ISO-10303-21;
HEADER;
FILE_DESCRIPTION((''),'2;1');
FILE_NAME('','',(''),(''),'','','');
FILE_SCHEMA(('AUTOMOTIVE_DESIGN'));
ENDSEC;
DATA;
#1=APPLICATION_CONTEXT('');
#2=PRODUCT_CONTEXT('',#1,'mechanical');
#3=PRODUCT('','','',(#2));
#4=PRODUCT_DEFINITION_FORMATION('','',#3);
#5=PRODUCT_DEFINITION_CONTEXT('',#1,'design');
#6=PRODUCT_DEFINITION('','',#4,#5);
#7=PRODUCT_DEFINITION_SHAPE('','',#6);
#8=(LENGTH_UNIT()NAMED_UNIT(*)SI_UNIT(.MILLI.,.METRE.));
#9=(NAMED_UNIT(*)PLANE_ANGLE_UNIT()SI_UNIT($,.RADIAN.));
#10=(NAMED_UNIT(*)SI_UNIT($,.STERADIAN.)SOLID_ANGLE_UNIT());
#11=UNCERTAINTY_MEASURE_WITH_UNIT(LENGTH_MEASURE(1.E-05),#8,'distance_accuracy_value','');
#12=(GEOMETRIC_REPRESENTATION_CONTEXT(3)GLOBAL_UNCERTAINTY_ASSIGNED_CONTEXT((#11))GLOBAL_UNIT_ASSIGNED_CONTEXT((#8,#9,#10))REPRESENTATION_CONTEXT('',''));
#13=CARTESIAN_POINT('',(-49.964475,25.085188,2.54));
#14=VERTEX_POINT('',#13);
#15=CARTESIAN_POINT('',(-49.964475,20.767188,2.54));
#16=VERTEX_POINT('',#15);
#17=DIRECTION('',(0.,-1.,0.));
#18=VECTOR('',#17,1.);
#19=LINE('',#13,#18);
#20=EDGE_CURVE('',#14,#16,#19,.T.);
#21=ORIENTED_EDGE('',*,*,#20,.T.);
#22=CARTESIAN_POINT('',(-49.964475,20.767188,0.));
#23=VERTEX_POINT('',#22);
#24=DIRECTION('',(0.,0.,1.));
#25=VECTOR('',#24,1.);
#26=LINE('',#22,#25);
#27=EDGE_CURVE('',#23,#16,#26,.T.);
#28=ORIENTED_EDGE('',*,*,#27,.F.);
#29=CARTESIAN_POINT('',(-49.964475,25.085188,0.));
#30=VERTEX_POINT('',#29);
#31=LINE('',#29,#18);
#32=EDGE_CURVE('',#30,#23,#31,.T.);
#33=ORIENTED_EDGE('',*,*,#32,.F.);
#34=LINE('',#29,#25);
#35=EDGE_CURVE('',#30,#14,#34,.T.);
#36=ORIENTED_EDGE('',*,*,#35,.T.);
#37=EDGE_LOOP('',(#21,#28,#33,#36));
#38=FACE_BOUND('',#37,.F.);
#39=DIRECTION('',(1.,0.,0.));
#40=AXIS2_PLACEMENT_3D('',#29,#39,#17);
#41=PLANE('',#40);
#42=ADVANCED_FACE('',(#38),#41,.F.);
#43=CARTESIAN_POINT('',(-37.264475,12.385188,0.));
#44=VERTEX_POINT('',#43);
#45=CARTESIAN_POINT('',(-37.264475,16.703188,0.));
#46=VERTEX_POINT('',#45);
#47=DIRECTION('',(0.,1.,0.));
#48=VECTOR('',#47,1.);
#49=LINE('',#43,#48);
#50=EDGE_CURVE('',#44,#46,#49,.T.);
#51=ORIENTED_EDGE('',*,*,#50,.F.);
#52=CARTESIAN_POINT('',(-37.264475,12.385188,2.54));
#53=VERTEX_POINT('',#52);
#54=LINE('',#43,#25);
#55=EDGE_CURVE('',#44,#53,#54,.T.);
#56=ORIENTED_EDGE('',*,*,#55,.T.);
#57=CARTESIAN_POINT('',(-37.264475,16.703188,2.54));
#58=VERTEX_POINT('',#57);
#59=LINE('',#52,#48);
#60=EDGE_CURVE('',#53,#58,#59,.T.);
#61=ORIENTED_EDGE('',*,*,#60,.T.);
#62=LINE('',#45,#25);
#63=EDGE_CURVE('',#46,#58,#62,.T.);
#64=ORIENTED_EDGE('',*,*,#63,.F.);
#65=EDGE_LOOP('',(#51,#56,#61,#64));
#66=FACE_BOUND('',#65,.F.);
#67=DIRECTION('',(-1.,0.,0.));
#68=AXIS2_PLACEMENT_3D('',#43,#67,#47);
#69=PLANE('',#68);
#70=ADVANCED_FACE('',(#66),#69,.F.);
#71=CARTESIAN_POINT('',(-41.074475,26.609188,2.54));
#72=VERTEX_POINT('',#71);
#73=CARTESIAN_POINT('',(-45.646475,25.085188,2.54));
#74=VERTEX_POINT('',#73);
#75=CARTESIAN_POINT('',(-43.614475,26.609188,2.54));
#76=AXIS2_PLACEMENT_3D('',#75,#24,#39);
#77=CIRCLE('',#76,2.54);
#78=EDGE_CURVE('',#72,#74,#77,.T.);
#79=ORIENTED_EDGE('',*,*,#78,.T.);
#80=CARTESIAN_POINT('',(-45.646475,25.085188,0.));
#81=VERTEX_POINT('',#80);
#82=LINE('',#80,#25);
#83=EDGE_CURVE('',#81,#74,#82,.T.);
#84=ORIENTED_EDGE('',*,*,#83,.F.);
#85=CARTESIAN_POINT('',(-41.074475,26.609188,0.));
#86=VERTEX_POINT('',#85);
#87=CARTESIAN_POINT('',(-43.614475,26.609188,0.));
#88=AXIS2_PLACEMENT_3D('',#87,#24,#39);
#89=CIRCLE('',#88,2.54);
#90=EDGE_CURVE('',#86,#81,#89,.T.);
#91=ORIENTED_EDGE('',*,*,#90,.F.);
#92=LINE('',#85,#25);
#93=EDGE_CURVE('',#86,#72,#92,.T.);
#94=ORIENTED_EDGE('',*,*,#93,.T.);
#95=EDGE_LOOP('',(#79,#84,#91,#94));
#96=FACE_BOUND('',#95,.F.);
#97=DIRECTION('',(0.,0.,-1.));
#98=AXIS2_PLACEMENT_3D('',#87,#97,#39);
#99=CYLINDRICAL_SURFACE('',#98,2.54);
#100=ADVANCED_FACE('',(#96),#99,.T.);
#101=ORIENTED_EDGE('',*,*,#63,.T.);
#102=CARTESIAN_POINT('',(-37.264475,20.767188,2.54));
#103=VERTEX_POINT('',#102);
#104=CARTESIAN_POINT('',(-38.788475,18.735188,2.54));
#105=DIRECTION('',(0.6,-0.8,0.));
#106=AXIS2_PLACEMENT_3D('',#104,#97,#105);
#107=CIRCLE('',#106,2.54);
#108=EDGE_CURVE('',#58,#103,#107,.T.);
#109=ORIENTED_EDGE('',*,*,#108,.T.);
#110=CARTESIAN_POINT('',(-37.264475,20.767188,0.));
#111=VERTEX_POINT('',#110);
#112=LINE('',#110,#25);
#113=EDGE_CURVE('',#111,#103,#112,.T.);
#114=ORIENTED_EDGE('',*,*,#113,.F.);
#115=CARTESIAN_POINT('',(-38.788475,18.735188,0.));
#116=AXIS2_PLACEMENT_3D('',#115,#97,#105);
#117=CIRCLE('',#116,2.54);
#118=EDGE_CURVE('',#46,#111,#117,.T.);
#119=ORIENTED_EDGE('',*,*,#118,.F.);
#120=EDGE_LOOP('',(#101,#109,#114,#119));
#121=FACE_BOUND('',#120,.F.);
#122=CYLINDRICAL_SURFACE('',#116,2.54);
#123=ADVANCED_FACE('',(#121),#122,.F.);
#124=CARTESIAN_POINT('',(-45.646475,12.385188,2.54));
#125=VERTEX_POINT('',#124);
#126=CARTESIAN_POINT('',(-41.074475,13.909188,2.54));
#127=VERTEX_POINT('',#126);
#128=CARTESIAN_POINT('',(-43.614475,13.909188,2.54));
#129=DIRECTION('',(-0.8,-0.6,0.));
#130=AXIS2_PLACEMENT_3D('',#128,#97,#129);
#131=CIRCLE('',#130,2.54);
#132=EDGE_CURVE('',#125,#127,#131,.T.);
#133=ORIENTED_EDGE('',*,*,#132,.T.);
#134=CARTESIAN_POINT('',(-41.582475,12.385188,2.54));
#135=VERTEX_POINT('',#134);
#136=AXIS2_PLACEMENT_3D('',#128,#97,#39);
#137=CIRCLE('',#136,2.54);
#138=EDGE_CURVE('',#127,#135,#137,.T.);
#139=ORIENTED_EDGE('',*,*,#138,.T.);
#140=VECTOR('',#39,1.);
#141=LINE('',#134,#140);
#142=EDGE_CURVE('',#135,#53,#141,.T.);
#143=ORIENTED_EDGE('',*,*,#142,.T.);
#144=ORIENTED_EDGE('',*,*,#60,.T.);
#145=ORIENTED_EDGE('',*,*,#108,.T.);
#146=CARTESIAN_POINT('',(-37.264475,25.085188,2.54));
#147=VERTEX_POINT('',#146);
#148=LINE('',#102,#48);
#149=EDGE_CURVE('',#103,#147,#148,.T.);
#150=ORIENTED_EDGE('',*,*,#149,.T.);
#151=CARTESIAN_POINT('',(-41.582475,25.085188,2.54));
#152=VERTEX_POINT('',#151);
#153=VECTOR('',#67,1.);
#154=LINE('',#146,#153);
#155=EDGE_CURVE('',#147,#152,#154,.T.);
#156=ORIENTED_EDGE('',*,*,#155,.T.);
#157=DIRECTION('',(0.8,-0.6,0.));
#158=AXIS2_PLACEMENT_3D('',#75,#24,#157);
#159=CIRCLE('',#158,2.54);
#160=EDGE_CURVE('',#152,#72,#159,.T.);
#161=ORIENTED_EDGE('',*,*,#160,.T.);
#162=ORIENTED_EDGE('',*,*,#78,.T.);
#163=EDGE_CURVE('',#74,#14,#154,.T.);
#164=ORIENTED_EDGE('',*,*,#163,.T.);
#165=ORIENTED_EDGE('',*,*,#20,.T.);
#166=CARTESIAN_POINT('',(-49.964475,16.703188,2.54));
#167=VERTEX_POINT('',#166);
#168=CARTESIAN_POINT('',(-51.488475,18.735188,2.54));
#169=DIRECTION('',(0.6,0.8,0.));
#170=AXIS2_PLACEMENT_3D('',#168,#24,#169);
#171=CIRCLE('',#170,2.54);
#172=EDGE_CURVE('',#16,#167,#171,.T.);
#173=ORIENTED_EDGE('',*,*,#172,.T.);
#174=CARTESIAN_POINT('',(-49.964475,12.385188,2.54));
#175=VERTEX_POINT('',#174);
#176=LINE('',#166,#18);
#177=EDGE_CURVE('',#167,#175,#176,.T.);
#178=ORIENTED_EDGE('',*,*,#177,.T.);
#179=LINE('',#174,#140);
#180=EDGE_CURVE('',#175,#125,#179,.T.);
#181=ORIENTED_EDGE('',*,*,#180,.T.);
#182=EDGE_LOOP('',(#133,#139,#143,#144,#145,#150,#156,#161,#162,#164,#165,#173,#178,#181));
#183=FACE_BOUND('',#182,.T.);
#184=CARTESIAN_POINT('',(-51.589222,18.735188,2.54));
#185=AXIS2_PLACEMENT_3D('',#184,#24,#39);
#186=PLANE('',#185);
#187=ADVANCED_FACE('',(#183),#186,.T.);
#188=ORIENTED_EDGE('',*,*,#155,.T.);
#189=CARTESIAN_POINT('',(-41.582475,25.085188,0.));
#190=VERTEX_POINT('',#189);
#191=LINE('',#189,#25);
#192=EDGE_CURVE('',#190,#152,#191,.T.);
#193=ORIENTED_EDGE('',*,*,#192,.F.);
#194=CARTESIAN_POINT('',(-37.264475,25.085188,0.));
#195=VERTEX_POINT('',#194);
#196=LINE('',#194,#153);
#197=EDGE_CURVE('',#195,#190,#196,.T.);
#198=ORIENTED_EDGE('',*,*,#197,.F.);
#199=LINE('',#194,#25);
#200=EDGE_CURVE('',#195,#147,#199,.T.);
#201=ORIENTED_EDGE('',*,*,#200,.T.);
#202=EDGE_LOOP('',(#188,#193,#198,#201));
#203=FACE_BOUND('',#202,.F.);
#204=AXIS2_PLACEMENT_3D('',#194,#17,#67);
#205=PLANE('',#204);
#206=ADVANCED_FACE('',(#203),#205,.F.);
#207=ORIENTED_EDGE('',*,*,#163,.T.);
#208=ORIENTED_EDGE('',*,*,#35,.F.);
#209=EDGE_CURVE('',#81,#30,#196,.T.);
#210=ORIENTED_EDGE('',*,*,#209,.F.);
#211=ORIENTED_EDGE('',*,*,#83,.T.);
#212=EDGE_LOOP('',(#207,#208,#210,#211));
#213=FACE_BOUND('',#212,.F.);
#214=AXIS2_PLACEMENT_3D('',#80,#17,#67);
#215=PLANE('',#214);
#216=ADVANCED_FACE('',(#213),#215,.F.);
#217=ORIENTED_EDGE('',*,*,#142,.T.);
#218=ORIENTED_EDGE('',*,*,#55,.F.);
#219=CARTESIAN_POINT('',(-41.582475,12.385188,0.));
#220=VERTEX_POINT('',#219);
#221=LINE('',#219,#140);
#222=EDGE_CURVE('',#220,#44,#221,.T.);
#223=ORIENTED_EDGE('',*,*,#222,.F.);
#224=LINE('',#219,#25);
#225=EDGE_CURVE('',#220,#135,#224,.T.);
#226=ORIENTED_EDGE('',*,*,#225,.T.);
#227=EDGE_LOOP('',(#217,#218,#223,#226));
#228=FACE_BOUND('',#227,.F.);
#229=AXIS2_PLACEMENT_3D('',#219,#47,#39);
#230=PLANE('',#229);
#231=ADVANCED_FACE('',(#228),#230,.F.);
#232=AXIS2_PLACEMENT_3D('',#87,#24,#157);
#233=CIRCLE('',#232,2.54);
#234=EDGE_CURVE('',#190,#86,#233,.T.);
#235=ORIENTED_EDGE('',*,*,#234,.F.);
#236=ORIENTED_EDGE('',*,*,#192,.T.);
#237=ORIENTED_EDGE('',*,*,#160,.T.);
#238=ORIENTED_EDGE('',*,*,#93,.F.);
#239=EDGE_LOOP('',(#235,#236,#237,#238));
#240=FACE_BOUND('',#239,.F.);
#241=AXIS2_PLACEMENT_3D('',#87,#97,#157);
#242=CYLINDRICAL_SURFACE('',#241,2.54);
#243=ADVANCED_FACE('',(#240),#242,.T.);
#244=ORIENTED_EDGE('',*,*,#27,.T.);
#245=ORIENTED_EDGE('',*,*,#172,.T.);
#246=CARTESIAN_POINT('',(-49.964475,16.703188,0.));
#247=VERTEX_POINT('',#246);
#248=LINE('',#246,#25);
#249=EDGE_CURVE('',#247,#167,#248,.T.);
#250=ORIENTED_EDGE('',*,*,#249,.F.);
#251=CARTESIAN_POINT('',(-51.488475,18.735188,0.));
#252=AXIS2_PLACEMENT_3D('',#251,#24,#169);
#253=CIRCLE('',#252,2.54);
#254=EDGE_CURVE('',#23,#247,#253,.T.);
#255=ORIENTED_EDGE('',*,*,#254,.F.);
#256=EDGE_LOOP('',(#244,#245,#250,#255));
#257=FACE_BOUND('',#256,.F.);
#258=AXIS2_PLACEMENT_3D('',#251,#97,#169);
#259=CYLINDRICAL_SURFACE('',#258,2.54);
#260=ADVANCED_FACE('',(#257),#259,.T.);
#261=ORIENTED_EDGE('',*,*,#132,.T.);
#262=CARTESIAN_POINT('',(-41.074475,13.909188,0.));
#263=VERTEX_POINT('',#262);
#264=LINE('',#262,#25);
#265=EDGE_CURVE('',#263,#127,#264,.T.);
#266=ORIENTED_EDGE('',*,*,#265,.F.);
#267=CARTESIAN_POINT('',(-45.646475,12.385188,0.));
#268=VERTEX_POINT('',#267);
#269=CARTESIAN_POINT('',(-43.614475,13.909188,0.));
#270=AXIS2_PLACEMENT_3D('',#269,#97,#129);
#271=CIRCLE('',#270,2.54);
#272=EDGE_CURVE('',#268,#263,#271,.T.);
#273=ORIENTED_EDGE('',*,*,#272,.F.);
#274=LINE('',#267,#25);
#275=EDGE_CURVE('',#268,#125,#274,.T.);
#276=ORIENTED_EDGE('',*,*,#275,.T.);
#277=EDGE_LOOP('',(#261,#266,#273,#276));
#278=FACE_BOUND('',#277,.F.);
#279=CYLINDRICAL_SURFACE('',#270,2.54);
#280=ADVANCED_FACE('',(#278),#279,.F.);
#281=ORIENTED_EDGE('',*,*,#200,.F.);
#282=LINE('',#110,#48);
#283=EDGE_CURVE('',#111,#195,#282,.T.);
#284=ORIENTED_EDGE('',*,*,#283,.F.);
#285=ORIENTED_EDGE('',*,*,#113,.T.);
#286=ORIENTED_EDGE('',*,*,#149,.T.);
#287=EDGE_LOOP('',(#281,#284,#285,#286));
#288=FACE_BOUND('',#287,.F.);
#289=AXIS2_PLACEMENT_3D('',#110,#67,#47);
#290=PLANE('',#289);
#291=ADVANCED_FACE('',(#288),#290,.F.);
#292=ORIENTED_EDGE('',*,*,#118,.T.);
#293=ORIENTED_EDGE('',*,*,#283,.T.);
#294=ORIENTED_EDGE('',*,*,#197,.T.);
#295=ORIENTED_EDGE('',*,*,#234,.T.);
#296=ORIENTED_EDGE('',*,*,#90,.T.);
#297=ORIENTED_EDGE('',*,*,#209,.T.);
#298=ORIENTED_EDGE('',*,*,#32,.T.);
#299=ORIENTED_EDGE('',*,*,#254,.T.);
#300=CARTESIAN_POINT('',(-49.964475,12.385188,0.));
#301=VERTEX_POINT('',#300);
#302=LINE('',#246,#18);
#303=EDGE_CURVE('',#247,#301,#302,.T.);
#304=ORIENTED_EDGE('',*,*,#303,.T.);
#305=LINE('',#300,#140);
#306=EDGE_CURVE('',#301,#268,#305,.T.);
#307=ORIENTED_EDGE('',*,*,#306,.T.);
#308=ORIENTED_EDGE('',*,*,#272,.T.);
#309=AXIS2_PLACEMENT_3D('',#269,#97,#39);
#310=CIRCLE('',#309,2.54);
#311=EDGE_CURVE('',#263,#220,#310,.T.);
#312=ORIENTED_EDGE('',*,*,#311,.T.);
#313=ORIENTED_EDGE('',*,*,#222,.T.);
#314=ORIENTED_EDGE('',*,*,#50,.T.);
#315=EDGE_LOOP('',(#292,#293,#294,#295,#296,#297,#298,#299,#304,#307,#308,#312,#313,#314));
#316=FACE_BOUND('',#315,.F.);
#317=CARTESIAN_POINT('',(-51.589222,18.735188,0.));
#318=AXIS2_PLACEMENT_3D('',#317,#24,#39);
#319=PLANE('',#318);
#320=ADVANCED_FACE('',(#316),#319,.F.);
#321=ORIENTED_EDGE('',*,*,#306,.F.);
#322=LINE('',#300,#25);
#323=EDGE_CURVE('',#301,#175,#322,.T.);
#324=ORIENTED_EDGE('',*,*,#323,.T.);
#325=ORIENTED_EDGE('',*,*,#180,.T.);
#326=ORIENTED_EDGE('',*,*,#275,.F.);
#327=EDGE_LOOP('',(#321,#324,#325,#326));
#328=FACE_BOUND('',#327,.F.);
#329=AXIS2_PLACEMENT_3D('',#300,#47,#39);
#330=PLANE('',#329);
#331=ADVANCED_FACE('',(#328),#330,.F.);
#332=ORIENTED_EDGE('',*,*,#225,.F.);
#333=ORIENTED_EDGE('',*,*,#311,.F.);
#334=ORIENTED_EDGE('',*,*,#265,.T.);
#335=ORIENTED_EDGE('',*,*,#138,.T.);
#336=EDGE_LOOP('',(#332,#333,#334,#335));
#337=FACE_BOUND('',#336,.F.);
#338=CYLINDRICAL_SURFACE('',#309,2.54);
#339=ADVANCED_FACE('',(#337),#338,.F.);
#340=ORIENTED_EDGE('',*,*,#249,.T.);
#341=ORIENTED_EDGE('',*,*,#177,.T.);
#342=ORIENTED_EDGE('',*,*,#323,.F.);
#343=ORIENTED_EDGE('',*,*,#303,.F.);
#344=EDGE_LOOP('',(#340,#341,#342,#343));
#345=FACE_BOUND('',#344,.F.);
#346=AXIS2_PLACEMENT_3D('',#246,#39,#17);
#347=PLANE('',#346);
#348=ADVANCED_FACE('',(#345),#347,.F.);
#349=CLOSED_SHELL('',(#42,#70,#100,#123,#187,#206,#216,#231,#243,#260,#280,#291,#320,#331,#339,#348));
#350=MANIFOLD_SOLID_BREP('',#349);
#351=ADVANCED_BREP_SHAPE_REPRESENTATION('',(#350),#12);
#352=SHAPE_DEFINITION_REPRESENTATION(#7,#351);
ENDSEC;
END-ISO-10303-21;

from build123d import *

# Parameters (mm, degrees)
F1_DEPTH = 2.54


with BuildPart() as f1:
    # F0 (on Top) → F1 (new body)
    with BuildSketch(Plane.XY):
        with BuildLine():
            Line((-49.9644750565, 16.7031875085), (-49.9644750565, 20.7671875085))
            ThreePointArc((-49.9644750565, 20.7671875085), (-54.0284750565, 18.7351875085), (-49.9644750565, 16.7031875085))
        make_face()
        with BuildLine():
            ThreePointArc((-48.9484750565, 18.7351875085), (-49.2166299914, 19.8711100411), (-49.9644750565, 20.7671875085))
            Line((-49.9644750565, 20.7671875085), (-49.9644750565, 16.7031875085))
            ThreePointArc((-49.9644750565, 16.7031875085), (-49.2166299914, 17.599264976), (-48.9484750565, 18.7351875085))
        make_face()
        with BuildLine():
            Line((-45.6464750565, 25.0851875085), (-49.9644750565, 25.0851875085))
            Line((-49.9644750565, 25.0851875085), (-49.9644750565, 20.7671875085))
            ThreePointArc((-49.9644750565, 20.7671875085), (-49.2166299914, 19.8711100411), (-48.9484750565, 18.7351875085))
            ThreePointArc((-48.9484750565, 18.7351875085), (-49.2166299914, 17.599264976), (-49.9644750565, 16.7031875085))
            Line((-49.9644750565, 16.7031875085), (-49.9644750565, 12.3851875085))
            Line((-49.9644750565, 12.3851875085), (-45.6464750565, 12.3851875085))
            ThreePointArc((-45.6464750565, 12.3851875085), (-44.4176935822, 16.3188430856), (-41.0744750565, 13.9091875085))
            ThreePointArc((-41.0744750565, 13.9091875085), (-41.2048194795, 13.1059689828), (-41.5824750565, 12.3851875085))
            Line((-41.5824750565, 12.3851875085), (-37.2644750565, 12.3851875085))
            Line((-37.2644750565, 12.3851875085), (-37.2644750565, 16.7031875085))
            ThreePointArc((-37.2644750565, 16.7031875085), (-41.3284750565, 18.7351875085), (-37.2644750565, 20.7671875085))
            Line((-37.2644750565, 20.7671875085), (-37.2644750565, 25.0851875085))
            Line((-37.2644750565, 25.0851875085), (-41.5824750565, 25.0851875085))
            ThreePointArc((-41.5824750565, 25.0851875085), (-43.6144750565, 24.0691875085), (-45.6464750565, 25.0851875085))
        make_face()
        with BuildLine():
            Line((-41.5824750565, 25.0851875085), (-45.6464750565, 25.0851875085))
            ThreePointArc((-45.6464750565, 25.0851875085), (-43.6144750565, 24.0691875085), (-41.5824750565, 25.0851875085))
        make_face()
        with BuildLine():
            ThreePointArc((-41.0744750565, 26.6091875085), (-44.4176935822, 29.0188430856), (-45.6464750565, 25.0851875085))
            Line((-45.6464750565, 25.0851875085), (-41.5824750565, 25.0851875085))
            ThreePointArc((-41.5824750565, 25.0851875085), (-41.2048194795, 25.8059689828), (-41.0744750565, 26.6091875085))
        make_face()
    extrude(amount=F1_DEPTH)


solid = f1.part
